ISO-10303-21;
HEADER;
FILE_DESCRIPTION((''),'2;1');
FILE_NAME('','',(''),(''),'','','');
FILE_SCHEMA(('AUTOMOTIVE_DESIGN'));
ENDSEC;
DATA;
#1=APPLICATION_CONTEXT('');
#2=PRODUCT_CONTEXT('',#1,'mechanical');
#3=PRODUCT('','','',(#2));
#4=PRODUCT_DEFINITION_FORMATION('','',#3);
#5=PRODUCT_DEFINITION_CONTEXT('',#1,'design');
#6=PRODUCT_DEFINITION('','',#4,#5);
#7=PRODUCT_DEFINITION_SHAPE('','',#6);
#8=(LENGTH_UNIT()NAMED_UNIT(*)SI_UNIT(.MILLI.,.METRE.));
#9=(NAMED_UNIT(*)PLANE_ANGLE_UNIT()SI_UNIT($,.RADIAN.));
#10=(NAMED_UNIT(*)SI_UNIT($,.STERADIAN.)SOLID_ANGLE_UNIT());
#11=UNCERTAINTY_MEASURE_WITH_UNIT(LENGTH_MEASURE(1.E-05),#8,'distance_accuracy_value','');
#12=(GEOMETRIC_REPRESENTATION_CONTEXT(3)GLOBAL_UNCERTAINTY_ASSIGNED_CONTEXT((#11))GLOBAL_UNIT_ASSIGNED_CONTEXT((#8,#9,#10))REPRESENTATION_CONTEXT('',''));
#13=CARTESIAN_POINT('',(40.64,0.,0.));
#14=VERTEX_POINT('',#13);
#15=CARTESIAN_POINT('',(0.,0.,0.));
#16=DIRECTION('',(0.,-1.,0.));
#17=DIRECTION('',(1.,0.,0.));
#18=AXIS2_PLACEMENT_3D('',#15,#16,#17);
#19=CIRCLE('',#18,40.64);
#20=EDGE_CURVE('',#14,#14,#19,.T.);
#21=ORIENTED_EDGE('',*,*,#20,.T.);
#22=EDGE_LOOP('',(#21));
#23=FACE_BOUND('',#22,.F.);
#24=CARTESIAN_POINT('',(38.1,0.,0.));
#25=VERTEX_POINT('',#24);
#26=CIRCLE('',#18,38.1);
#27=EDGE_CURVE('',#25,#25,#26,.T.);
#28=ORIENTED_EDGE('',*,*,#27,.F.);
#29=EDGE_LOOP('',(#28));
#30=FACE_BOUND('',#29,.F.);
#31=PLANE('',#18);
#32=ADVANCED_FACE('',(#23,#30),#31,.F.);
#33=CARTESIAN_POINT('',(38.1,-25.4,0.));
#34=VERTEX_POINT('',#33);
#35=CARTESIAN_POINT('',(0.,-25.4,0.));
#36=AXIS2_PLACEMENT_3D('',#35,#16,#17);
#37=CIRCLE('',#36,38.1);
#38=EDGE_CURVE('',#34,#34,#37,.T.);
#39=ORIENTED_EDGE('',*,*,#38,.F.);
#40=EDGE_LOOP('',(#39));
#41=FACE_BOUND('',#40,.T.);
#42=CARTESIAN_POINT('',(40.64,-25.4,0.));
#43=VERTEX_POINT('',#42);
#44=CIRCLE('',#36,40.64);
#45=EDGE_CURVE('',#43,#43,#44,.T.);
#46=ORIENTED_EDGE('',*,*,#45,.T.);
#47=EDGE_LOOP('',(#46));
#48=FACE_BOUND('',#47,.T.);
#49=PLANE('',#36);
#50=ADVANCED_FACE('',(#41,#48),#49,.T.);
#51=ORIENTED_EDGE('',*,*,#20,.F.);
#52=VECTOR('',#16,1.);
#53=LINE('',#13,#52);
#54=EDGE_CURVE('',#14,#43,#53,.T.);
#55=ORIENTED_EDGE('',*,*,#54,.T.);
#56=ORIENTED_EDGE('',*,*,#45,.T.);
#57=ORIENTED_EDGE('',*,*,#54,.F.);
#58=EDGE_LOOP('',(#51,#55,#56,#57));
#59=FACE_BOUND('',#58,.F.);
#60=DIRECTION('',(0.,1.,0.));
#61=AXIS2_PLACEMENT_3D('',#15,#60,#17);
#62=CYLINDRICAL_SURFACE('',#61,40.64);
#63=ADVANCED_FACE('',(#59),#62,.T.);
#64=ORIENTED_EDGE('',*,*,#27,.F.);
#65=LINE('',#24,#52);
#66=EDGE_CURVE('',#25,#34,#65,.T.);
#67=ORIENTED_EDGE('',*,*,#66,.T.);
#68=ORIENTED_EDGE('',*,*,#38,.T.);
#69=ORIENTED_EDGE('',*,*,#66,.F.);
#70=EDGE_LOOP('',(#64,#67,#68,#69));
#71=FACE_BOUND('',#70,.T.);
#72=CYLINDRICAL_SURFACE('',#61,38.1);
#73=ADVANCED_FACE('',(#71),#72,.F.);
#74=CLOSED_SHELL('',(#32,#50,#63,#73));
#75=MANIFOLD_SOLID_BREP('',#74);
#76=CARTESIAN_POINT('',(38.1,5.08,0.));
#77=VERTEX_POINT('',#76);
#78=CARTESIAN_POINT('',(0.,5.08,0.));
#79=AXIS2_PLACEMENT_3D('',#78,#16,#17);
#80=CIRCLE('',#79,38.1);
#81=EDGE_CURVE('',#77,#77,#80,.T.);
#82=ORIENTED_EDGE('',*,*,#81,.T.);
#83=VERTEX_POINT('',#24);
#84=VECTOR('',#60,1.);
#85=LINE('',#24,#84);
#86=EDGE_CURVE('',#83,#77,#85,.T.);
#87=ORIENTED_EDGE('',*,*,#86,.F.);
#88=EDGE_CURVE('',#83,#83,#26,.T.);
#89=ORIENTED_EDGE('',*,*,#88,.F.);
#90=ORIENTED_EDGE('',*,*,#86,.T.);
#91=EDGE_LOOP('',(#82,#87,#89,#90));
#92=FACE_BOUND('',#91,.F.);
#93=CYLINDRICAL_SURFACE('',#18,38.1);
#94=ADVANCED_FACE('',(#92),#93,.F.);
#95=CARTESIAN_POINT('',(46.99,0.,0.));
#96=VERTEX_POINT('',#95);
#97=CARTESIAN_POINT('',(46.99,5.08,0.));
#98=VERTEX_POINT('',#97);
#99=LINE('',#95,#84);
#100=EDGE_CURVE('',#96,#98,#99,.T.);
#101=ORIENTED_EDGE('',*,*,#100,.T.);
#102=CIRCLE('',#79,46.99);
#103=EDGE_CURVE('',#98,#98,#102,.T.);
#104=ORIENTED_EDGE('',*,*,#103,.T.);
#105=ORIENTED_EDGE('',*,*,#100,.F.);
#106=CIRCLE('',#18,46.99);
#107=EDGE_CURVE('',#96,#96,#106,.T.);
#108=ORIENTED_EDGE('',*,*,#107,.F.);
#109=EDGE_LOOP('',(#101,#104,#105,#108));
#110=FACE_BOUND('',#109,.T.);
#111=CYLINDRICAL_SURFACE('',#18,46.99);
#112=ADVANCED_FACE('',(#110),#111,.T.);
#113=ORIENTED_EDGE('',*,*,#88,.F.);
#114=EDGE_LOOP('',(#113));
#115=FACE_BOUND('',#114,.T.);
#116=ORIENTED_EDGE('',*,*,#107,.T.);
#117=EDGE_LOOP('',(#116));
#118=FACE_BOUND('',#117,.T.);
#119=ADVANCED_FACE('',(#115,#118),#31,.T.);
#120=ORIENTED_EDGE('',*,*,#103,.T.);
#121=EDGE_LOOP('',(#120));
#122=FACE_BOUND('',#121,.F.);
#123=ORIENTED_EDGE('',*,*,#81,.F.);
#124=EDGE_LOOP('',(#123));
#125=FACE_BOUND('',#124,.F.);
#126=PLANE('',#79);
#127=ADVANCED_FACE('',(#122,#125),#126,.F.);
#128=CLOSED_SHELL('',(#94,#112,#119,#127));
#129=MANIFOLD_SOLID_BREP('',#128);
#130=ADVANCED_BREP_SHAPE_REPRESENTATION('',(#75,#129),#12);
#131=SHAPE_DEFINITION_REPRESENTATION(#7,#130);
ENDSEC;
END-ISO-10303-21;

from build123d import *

# Parameters (mm, degrees)
F0_R     = 40.64
F0_R_2   = 38.1
F1_DEPTH = 25.4
F0_R_3   = 46.99
F2_DEPTH = 5.08


with BuildPart() as f1:
    # F0 (on Front) → F1 (new body)
    with BuildSketch(Plane.XZ):
        Circle(F0_R)
        Circle(F0_R_2, mode=Mode.SUBTRACT)
    extrude(amount=F1_DEPTH)


with BuildPart() as f2:
    # F0 (on Front) → F2 (new body)
    with BuildSketch(Plane.XZ):
        Circle(F0_R_3)
        Circle(F0_R, mode=Mode.SUBTRACT)
        Circle(F0_R)
        Circle(F0_R_2, mode=Mode.SUBTRACT)
    extrude(amount=-F2_DEPTH)


solid = Compound([f1.part, f2.part])
